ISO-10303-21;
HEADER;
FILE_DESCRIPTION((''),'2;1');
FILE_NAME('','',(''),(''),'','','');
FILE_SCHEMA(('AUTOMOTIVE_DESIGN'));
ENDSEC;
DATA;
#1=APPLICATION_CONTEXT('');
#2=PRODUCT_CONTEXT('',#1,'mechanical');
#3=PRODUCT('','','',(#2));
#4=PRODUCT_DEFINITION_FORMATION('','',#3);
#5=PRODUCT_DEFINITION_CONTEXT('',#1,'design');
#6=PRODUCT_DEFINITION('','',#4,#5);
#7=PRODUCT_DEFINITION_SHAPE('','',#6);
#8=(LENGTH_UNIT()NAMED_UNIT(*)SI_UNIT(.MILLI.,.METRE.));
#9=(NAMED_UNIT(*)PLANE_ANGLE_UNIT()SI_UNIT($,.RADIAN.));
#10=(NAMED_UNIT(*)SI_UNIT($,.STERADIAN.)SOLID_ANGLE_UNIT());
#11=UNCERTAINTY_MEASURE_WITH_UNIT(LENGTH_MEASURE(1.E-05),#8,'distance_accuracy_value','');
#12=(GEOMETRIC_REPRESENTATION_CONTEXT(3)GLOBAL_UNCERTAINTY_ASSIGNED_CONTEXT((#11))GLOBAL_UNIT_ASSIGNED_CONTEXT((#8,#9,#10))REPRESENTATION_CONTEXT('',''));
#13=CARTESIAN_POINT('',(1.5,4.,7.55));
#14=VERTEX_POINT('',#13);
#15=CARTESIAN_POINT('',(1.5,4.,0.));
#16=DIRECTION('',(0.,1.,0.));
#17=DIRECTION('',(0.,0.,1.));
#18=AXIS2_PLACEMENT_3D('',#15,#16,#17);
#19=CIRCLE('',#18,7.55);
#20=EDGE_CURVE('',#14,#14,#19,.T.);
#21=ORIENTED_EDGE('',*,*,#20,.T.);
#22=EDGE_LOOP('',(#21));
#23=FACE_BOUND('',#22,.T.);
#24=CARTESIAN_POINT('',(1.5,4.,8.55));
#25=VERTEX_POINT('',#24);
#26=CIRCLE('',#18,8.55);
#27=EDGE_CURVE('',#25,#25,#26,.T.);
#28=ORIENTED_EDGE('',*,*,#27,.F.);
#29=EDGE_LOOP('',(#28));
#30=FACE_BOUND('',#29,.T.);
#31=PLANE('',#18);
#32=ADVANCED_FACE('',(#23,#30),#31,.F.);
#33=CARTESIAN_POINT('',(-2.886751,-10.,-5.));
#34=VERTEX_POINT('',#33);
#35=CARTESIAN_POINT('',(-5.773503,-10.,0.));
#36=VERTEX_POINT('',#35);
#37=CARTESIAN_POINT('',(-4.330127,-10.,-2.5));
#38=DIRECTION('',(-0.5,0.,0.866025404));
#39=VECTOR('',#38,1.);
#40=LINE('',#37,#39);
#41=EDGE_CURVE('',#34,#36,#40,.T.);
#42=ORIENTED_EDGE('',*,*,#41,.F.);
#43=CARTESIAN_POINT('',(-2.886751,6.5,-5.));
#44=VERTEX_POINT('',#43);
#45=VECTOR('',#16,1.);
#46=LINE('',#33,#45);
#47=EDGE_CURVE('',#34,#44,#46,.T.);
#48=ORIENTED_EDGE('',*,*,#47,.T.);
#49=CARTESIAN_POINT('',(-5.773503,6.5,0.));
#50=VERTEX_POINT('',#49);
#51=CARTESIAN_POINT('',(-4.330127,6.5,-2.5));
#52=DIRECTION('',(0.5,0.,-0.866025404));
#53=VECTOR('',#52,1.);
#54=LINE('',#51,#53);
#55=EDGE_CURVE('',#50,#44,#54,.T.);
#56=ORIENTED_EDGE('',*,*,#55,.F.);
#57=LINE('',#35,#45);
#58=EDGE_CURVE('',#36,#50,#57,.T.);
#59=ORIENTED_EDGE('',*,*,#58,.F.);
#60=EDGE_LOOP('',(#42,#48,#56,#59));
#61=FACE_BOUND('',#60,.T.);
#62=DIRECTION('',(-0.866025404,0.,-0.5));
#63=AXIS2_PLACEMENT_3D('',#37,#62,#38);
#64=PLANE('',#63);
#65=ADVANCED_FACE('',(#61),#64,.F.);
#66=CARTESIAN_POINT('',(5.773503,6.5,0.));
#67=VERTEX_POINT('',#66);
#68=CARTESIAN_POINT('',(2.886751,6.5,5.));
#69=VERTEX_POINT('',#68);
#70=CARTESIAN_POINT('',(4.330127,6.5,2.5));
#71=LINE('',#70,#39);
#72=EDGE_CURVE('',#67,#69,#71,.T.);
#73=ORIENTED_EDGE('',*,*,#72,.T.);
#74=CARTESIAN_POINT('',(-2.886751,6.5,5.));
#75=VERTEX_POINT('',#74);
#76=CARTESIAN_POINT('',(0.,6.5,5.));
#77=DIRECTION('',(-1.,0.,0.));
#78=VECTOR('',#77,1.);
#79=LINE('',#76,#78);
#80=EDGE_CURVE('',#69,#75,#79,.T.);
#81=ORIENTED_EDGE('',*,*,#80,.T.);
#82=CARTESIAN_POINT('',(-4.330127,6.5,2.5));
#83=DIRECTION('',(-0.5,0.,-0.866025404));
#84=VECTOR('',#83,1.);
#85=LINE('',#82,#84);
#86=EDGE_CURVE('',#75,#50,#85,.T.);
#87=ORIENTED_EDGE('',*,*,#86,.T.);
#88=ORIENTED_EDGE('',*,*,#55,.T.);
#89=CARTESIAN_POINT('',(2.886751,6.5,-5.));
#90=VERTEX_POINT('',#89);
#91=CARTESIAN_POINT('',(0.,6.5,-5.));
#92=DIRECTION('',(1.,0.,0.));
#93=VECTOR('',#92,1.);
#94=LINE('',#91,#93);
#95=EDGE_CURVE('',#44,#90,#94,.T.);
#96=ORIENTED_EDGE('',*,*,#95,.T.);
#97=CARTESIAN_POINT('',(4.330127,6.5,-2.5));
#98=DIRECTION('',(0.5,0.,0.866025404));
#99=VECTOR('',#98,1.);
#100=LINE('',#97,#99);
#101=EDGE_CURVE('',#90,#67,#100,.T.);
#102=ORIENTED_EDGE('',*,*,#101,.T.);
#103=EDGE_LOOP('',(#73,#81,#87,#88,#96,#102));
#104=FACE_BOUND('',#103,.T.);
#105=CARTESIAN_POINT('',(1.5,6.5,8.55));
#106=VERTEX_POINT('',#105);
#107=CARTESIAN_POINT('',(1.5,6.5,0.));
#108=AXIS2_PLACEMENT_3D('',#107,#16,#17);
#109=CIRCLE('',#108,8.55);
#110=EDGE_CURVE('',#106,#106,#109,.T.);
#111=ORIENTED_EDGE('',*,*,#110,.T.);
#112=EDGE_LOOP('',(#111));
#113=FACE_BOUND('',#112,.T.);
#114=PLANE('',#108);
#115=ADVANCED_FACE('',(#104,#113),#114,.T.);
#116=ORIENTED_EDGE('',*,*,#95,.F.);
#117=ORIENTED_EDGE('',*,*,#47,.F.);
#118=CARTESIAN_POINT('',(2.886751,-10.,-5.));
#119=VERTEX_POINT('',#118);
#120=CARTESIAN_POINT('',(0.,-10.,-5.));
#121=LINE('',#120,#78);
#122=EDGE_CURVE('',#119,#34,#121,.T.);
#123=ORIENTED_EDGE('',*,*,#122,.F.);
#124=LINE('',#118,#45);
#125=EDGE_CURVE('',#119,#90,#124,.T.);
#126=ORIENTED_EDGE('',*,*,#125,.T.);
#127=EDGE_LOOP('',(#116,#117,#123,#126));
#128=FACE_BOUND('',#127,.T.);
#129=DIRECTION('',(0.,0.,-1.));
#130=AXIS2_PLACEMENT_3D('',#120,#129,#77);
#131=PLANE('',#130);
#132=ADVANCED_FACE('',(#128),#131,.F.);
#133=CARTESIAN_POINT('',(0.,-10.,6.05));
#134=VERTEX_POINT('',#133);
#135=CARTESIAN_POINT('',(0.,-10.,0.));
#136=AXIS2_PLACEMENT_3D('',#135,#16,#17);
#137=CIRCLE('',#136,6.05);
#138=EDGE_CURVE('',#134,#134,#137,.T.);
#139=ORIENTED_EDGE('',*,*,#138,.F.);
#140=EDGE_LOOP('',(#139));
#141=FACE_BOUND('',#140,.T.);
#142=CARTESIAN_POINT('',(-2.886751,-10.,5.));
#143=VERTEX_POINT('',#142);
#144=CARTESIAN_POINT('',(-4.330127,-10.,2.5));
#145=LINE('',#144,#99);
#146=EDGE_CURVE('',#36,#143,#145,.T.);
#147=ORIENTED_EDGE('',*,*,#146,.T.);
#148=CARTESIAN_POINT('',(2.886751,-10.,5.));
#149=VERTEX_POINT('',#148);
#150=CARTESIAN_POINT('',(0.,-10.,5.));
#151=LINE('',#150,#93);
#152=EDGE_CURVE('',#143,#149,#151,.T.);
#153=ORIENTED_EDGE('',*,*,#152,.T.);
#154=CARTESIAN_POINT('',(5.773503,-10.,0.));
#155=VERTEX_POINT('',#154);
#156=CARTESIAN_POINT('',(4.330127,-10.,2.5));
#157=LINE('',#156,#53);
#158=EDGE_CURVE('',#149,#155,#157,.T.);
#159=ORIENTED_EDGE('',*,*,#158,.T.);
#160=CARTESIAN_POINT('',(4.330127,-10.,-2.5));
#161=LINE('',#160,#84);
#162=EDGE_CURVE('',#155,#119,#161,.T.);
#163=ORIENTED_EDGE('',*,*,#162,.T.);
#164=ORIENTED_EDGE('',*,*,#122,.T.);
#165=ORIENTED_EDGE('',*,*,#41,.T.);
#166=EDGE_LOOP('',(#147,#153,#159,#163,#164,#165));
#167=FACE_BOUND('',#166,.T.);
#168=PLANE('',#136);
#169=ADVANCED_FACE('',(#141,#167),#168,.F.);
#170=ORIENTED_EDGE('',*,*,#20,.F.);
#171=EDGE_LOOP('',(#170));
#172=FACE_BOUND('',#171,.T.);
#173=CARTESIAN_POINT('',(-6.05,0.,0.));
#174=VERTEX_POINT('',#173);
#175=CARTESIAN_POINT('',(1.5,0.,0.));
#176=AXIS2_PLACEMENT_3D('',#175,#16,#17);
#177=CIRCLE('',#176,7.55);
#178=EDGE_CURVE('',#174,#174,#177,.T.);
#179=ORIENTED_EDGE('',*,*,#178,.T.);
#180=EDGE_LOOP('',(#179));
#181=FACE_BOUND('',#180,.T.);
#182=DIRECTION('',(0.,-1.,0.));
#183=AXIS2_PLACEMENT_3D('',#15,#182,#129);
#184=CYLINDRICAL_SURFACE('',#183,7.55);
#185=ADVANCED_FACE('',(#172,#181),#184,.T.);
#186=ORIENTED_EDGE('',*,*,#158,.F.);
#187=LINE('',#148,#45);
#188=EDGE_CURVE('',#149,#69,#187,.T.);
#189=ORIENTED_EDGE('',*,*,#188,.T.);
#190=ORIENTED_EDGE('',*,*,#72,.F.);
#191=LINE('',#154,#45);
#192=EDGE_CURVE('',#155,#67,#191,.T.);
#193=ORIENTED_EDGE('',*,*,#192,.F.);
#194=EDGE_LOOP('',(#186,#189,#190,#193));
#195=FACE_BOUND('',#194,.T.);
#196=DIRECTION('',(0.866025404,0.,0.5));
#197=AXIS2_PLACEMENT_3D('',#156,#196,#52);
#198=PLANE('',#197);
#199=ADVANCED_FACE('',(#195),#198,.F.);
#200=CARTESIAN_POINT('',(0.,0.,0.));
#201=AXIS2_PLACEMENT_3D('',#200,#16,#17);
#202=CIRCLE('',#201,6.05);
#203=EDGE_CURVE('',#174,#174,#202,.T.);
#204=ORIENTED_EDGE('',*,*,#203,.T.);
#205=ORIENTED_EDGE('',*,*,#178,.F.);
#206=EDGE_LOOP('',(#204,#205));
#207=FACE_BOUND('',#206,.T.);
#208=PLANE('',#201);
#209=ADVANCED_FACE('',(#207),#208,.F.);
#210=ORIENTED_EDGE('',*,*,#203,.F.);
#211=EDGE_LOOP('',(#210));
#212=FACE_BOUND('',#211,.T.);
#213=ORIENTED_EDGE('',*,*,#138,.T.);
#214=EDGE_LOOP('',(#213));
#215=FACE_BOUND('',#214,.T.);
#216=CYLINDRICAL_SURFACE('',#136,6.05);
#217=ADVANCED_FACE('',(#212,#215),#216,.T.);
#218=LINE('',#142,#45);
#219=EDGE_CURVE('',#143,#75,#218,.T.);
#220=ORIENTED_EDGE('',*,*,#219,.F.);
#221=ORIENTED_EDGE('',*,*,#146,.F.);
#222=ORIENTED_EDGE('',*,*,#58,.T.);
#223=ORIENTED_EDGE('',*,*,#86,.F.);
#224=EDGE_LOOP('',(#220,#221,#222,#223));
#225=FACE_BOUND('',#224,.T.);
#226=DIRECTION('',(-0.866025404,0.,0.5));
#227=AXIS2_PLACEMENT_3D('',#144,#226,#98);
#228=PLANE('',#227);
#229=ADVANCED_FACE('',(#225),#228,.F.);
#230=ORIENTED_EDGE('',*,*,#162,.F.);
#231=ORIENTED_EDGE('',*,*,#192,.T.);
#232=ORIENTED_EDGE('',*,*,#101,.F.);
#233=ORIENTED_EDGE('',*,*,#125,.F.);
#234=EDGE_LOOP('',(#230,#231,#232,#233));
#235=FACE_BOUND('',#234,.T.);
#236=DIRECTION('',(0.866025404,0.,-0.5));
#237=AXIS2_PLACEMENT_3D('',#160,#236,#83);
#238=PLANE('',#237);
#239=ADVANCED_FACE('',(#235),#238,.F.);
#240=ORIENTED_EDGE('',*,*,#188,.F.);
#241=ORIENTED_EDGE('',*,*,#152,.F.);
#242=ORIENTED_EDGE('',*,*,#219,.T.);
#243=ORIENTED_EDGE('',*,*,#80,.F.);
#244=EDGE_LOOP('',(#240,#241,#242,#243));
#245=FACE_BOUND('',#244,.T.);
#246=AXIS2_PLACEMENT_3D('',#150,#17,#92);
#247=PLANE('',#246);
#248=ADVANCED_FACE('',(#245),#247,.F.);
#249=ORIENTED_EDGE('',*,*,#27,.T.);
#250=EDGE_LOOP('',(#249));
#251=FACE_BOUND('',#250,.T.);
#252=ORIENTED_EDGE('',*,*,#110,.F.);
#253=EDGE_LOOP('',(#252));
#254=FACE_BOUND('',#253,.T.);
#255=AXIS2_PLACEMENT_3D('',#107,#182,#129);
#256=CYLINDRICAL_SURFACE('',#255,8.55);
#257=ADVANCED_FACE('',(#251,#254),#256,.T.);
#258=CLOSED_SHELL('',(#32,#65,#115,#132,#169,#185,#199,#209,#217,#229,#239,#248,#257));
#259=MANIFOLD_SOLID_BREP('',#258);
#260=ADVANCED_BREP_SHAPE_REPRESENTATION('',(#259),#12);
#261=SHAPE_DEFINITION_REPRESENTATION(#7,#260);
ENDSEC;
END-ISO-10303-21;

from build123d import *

# Parameters (mm, degrees)
SKETCH1_R           = 6.05
BOSS_EXTRUDE1_DEPTH = 10
SKETCH1_3_R         = 7.55
BOSS_EXTRUDE2_DEPTH = 4
BOSS_EXTRUDE3_START = 4
SKETCH1_5_R         = 8.55
SKETCH1_5_R_2       = 7.55
SKETCH1_5_R_3       = 6.05
BOSS_EXTRUDE3_DEPTH = 2.5


with BuildPart() as part:
    # Sketch1 → Boss-Extrude1 (new body)
    with BuildSketch(Plane(origin=(0, 0, 0), x_dir=(1, 0, 0), z_dir=(0, 1, 0))):
        with Locations(Location((0, 0, 0), (0, 0, 270))):
            Circle(SKETCH1_R)
        Polygon((5.773502692, 0), (2.886751346, 5), (-2.886751346, 5), (-5.773502692, 0), (-2.886751346, -5), (2.886751346, -5), align=None, mode=Mode.SUBTRACT)
    extrude(amount=-BOSS_EXTRUDE1_DEPTH)

    # Sketch1<3> → Boss-Extrude2 (add)
    with BuildSketch(Plane(origin=(0, 0, 0), x_dir=(1, 0, 0), z_dir=(0, 1, 0))):
        with Locations(Location((1.5, 0, 0), (0, 0, 180))):
            Circle(SKETCH1_3_R)
        Polygon((2.886751346, 5), (-2.886751346, 5), (-5.773502692, 0), (-2.886751346, -5), (2.886751346, -5), (5.773502692, 0), align=None, mode=Mode.SUBTRACT)
    extrude(amount=BOSS_EXTRUDE2_DEPTH)

    # Sketch1<5> → Boss-Extrude3 (add)
    # profile 1 of 3: a face of its own
    with BuildSketch(Plane(origin=(0, 0, 0), x_dir=(1, 0, 0), z_dir=(0, 1, 0)).offset(BOSS_EXTRUDE3_START)):
        with Locations(Location((1.5, 0, 0), (0, 0, 270))):
            Circle(SKETCH1_5_R)
        with Locations(Location((1.5, 0, 0), (0, 0, 180))):
            Circle(SKETCH1_5_R_2, mode=Mode.SUBTRACT)
    # profile 2 of 3: a face of its own
    with BuildSketch(Plane(origin=(0, 0, 0), x_dir=(1, 0, 0), z_dir=(0, 1, 0)).offset(BOSS_EXTRUDE3_START)):
        with Locations(Location((1.5, 0, 0), (0, 0, 180))):
            Circle(SKETCH1_5_R_2)
        with Locations(Location((0, 0, 0), (0, 0, 270))):
            Circle(SKETCH1_5_R_3, mode=Mode.SUBTRACT)
    # profile 3 of 3: a face of its own
    with BuildSketch(Plane(origin=(0, 0, 0), x_dir=(1, 0, 0), z_dir=(0, 1, 0)).offset(BOSS_EXTRUDE3_START)):
        with Locations(Location((0, 0, 0), (0, 0, 270))):
            Circle(SKETCH1_5_R_3)
        Polygon((5.773502692, 0), (2.886751346, 5), (-2.886751346, 5), (-5.773502692, 0), (-2.886751346, -5), (2.886751346, -5), align=None, mode=Mode.SUBTRACT)
    extrude(amount=BOSS_EXTRUDE3_DEPTH)


solid = part.part
